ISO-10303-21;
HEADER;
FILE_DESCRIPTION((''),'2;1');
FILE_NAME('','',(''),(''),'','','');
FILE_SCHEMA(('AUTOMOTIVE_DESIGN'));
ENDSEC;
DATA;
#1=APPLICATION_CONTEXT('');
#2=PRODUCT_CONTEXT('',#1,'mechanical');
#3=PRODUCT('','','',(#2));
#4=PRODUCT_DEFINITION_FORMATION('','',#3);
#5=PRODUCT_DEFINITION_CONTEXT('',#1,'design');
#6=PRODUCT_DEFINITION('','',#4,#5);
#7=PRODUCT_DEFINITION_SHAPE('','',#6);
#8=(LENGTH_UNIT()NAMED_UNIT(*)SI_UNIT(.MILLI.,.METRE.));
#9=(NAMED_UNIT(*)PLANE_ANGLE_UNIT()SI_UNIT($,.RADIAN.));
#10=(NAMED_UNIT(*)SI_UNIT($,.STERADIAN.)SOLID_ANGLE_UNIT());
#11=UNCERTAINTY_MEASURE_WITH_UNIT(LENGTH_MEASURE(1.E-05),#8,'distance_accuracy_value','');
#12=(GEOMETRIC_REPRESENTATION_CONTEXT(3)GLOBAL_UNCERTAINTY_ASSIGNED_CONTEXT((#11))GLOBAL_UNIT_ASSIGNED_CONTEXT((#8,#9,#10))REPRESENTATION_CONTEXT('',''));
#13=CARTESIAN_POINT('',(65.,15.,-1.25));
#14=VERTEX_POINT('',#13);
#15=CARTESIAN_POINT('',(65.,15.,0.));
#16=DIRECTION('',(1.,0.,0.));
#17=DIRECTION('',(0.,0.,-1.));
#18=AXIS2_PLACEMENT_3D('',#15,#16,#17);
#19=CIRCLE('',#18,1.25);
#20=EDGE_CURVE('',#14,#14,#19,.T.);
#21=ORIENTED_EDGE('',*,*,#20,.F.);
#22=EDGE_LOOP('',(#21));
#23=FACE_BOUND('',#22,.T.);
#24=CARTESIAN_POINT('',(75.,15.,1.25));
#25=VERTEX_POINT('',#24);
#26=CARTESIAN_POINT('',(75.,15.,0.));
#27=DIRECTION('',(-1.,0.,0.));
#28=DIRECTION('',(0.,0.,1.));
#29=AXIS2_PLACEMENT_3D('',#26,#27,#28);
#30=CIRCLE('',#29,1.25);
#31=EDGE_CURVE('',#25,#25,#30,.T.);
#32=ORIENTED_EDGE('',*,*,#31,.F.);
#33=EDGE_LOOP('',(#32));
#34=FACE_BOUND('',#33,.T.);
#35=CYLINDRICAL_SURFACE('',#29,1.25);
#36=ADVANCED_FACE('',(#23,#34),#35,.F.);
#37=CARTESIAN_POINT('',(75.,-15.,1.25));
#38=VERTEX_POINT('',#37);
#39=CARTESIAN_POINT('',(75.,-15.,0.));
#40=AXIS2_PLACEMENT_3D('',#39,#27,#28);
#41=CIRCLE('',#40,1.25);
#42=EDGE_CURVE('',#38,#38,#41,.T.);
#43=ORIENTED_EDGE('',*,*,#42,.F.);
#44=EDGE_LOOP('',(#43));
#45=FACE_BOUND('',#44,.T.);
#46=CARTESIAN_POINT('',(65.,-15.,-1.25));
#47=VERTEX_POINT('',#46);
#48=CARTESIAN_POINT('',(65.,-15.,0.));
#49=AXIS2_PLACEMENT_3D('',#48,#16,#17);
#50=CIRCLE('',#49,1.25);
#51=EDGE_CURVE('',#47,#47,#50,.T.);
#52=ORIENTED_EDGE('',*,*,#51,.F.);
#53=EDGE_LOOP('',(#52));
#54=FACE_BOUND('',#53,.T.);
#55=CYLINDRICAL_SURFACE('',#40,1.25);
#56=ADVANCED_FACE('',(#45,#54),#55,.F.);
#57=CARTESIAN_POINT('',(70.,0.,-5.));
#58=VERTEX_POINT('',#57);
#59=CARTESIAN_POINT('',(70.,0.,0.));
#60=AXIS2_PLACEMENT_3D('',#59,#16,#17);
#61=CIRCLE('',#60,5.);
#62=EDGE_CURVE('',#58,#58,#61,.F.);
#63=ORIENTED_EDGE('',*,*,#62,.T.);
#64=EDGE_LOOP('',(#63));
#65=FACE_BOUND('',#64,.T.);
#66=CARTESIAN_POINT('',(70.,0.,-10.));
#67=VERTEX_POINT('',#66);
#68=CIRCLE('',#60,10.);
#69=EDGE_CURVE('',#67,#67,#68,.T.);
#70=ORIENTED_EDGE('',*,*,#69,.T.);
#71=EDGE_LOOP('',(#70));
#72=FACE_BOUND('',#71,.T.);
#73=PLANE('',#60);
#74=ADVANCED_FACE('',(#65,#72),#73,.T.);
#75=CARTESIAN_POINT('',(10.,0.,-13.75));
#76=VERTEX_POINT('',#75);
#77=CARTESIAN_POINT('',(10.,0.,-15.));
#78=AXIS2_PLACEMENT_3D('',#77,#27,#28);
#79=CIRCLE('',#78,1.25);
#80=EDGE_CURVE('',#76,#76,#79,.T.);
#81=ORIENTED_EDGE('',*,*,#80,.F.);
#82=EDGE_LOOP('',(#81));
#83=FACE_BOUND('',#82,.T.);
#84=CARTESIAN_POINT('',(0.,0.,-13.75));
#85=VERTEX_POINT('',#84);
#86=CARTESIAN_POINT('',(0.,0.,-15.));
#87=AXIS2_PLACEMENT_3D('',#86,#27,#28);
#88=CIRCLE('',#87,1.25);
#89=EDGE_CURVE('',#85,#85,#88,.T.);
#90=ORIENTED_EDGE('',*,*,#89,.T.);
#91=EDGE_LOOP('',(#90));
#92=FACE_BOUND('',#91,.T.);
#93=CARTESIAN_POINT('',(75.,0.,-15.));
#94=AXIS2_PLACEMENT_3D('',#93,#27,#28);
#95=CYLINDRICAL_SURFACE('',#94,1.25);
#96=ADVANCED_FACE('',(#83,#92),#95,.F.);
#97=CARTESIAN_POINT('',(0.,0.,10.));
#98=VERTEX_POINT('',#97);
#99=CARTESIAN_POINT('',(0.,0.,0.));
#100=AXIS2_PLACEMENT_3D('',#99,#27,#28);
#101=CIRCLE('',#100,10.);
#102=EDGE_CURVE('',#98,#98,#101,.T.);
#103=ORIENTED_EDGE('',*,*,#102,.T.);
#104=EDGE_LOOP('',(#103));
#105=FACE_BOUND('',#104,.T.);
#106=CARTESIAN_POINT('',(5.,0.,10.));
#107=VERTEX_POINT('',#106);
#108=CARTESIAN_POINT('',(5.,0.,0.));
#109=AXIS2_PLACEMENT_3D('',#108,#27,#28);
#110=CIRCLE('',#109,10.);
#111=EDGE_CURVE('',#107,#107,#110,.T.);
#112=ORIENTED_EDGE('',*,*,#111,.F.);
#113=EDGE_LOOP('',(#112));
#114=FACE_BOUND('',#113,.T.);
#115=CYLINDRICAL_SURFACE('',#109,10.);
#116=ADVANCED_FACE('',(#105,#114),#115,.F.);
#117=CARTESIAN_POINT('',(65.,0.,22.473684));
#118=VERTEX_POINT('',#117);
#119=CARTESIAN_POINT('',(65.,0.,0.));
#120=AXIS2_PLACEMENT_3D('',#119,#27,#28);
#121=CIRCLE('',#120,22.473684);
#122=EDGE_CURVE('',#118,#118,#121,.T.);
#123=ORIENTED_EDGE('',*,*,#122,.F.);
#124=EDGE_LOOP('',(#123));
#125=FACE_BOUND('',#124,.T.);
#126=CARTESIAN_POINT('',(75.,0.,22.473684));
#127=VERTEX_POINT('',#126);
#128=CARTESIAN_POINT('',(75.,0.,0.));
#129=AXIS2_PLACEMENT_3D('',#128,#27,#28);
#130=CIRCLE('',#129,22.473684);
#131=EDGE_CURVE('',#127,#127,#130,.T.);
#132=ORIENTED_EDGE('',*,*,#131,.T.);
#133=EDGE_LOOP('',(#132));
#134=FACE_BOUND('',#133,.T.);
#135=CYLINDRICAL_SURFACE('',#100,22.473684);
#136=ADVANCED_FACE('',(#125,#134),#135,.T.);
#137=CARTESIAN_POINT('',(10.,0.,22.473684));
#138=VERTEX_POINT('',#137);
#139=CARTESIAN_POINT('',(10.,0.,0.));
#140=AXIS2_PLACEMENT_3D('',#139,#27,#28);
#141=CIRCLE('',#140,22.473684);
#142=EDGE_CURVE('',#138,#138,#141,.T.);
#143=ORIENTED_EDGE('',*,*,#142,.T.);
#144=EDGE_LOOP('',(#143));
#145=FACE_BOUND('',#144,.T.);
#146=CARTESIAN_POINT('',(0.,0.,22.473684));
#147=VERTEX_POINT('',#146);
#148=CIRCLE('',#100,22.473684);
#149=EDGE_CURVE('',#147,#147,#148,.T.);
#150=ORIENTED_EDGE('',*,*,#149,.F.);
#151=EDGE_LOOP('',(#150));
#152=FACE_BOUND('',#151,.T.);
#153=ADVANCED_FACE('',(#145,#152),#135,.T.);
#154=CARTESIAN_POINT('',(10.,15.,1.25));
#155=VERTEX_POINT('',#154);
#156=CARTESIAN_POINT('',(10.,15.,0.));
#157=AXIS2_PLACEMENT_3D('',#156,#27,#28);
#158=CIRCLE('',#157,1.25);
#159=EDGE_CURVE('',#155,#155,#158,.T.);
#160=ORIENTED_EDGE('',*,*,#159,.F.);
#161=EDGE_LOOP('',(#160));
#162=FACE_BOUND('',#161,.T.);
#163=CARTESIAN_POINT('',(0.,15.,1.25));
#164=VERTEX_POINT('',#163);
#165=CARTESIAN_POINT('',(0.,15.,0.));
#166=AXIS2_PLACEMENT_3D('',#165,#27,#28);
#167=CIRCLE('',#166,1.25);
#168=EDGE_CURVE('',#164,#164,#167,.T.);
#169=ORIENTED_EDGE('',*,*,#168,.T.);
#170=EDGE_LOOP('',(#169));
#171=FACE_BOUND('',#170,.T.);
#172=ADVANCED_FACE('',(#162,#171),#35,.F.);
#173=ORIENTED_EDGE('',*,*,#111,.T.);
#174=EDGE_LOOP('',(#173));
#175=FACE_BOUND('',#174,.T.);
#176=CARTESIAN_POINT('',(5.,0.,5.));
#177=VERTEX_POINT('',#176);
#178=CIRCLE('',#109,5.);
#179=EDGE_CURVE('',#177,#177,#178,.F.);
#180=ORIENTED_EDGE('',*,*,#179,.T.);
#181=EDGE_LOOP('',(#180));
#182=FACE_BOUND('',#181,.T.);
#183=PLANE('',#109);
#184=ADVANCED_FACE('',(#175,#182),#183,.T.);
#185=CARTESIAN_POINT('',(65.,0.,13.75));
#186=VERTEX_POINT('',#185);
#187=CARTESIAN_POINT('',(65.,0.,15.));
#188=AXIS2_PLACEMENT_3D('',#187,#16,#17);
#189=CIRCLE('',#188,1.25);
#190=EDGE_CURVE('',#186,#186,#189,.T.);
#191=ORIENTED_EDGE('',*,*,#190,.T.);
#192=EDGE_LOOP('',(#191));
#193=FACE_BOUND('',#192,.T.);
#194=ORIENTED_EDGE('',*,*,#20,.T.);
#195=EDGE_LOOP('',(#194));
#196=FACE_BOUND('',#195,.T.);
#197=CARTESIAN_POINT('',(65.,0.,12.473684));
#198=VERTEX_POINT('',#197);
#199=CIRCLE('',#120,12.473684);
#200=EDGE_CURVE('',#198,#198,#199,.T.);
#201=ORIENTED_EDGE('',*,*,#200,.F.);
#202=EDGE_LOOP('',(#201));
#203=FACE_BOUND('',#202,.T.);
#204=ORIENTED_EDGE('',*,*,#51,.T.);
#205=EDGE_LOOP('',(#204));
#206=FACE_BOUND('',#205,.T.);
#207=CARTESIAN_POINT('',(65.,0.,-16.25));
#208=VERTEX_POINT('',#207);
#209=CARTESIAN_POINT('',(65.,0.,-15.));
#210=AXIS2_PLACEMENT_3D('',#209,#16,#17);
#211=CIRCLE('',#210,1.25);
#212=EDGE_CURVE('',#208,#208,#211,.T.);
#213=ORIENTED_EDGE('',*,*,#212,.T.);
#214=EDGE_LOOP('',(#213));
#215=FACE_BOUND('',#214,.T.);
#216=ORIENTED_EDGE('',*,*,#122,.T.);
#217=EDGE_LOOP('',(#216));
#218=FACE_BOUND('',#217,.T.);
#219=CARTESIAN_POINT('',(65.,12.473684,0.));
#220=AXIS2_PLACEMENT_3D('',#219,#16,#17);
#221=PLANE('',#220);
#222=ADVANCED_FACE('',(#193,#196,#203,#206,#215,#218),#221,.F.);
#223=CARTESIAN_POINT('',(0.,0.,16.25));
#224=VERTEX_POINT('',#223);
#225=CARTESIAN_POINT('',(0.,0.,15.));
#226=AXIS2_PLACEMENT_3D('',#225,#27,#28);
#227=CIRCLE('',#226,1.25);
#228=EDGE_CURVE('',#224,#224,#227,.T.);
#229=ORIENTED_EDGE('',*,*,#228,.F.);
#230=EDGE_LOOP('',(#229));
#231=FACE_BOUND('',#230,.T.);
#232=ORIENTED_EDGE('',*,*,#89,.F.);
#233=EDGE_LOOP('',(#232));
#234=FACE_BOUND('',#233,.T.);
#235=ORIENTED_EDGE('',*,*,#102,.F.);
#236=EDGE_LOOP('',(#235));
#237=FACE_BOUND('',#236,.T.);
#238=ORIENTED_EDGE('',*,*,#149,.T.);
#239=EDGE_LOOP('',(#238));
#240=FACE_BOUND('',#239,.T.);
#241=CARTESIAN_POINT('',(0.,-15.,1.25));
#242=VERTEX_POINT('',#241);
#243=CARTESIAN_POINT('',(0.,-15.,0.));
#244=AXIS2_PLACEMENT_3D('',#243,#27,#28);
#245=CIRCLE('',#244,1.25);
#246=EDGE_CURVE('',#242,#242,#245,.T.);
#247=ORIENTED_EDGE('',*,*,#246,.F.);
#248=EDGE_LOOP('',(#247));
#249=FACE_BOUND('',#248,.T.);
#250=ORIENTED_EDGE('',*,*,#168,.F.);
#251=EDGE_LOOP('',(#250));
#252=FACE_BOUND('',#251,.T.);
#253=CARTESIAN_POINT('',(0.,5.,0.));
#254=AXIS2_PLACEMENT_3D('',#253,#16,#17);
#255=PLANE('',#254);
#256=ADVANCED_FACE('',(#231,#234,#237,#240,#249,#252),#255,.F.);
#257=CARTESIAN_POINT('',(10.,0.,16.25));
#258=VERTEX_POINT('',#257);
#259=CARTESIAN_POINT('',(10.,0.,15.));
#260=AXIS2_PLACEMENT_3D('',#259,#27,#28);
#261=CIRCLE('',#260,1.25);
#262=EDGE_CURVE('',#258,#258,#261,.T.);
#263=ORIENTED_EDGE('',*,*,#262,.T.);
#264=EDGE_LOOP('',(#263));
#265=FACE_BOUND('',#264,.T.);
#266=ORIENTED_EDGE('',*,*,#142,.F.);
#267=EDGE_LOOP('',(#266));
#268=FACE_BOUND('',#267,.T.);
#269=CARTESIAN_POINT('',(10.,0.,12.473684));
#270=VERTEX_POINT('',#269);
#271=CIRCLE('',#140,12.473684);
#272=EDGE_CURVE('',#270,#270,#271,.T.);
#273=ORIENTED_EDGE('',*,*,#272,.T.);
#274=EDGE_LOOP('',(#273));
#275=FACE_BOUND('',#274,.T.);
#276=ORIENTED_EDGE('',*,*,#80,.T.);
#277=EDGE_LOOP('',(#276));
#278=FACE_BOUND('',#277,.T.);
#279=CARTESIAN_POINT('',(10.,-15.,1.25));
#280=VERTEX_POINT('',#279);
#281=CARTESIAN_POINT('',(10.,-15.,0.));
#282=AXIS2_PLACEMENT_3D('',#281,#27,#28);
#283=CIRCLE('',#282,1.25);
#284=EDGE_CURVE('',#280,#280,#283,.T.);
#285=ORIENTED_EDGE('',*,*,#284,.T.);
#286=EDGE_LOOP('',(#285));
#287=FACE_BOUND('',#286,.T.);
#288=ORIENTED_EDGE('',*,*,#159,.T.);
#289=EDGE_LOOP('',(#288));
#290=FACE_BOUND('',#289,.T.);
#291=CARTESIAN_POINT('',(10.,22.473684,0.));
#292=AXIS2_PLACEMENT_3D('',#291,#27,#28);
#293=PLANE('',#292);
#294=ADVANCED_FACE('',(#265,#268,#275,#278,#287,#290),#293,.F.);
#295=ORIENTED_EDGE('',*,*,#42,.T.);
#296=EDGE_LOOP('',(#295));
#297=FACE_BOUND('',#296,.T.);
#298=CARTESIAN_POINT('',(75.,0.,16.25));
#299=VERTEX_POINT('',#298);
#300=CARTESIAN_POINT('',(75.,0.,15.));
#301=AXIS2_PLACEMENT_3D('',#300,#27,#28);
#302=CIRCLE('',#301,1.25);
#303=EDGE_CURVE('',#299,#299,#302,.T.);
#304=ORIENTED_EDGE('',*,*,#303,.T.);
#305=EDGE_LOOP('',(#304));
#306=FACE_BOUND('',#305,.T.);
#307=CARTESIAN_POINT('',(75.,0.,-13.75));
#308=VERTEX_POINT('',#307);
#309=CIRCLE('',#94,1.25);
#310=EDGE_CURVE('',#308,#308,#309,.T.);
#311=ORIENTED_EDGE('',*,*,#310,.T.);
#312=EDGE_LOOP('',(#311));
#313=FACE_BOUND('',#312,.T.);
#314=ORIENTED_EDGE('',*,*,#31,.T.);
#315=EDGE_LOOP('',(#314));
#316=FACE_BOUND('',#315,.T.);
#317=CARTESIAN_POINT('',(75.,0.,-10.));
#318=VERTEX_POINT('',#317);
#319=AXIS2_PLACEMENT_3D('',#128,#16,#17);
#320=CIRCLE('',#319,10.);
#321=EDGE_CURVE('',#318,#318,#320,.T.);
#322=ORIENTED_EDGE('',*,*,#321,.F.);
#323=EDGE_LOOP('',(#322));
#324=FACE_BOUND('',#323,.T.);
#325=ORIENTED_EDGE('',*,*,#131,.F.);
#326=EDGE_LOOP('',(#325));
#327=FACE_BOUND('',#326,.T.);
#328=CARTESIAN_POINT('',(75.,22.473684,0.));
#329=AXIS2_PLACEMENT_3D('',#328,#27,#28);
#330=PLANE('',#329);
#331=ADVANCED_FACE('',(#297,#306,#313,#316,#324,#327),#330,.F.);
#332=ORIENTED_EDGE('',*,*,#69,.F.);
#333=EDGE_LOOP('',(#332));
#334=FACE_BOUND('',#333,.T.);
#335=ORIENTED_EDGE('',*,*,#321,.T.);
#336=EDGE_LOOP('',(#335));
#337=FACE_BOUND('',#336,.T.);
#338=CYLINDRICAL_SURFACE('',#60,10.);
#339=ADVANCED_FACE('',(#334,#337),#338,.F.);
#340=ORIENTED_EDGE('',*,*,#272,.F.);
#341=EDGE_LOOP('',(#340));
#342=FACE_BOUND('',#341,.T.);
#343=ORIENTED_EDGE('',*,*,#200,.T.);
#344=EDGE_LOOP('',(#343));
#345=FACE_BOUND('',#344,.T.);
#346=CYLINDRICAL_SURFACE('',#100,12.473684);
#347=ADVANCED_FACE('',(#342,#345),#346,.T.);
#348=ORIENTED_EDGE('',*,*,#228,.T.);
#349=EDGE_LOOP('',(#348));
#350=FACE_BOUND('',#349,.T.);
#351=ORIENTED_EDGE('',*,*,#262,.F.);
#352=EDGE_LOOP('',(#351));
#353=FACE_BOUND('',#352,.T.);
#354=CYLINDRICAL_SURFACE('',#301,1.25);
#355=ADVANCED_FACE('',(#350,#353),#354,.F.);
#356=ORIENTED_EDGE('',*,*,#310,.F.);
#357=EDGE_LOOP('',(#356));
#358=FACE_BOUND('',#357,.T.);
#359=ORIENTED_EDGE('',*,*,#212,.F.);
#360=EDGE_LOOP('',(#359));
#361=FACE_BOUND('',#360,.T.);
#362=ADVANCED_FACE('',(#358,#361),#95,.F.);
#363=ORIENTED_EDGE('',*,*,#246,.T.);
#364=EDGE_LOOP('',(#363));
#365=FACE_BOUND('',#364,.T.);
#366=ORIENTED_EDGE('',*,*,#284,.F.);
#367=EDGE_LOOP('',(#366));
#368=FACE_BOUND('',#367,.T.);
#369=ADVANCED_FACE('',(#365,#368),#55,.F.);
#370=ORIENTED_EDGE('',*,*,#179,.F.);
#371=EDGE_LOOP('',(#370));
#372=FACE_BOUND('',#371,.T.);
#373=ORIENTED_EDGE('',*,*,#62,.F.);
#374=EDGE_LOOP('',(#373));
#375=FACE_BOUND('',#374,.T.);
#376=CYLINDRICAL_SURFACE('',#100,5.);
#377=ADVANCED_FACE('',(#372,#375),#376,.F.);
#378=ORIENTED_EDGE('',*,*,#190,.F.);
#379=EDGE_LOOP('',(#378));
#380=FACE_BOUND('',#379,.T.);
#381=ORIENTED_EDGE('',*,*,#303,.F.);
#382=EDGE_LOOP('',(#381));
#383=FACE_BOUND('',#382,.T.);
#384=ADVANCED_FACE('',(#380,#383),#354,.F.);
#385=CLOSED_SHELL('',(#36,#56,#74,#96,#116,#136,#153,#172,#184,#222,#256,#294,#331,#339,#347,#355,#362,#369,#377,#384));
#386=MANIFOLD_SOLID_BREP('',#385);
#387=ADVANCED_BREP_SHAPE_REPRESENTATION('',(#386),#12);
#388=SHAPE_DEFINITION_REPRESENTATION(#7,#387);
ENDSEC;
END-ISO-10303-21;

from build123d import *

# Parameters (mm, degrees)
SKETCH2_R          = 1.25
CUT_EXTRUDE1_DEPTH = 76
SKETCH3_R          = 10
CUT_EXTRUDE2_DEPTH = 5
SKETCH4_R          = 10
CUT_EXTRUDE3_DEPTH = 5


with BuildPart() as part:
    # Sketch1 → Revolve1 (revolve)
    with BuildSketch(Plane.XY):
        Polygon((0, 5), (0, 22.473684211), (10, 22.473684211), (10, 12.473684211), (65, 12.473684211), (65, 22.473684211), (75, 22.473684211), (75, 5), align=None)
    revolve(axis=Axis((0, 0, 0), (1, 0, 0)))

    # Sketch2 → Cut-Extrude1 (cut, through all)
    with BuildSketch(Plane.ZY):
        with Locations((0, 15)):
            Circle(SKETCH2_R)
        with Locations((-15, 0)):
            Circle(SKETCH2_R)
        with Locations((0, -15)):
            Circle(SKETCH2_R)
        with Locations((15, 0)):
            Circle(SKETCH2_R)
    extrude(amount=-CUT_EXTRUDE1_DEPTH, mode=Mode.SUBTRACT)

    # Sketch3 → Cut-Extrude2 (cut)
    with BuildSketch(Plane.ZY):
        Circle(SKETCH3_R)
    extrude(amount=-CUT_EXTRUDE2_DEPTH, mode=Mode.SUBTRACT)

    # Sketch4 → Cut-Extrude3 (cut)
    with BuildSketch(Plane(origin=(75, 0, 0), x_dir=(0, 0, -1), z_dir=(1, 0, 0))):
        Circle(SKETCH4_R)
    extrude(amount=-CUT_EXTRUDE3_DEPTH, mode=Mode.SUBTRACT)


solid = part.part
